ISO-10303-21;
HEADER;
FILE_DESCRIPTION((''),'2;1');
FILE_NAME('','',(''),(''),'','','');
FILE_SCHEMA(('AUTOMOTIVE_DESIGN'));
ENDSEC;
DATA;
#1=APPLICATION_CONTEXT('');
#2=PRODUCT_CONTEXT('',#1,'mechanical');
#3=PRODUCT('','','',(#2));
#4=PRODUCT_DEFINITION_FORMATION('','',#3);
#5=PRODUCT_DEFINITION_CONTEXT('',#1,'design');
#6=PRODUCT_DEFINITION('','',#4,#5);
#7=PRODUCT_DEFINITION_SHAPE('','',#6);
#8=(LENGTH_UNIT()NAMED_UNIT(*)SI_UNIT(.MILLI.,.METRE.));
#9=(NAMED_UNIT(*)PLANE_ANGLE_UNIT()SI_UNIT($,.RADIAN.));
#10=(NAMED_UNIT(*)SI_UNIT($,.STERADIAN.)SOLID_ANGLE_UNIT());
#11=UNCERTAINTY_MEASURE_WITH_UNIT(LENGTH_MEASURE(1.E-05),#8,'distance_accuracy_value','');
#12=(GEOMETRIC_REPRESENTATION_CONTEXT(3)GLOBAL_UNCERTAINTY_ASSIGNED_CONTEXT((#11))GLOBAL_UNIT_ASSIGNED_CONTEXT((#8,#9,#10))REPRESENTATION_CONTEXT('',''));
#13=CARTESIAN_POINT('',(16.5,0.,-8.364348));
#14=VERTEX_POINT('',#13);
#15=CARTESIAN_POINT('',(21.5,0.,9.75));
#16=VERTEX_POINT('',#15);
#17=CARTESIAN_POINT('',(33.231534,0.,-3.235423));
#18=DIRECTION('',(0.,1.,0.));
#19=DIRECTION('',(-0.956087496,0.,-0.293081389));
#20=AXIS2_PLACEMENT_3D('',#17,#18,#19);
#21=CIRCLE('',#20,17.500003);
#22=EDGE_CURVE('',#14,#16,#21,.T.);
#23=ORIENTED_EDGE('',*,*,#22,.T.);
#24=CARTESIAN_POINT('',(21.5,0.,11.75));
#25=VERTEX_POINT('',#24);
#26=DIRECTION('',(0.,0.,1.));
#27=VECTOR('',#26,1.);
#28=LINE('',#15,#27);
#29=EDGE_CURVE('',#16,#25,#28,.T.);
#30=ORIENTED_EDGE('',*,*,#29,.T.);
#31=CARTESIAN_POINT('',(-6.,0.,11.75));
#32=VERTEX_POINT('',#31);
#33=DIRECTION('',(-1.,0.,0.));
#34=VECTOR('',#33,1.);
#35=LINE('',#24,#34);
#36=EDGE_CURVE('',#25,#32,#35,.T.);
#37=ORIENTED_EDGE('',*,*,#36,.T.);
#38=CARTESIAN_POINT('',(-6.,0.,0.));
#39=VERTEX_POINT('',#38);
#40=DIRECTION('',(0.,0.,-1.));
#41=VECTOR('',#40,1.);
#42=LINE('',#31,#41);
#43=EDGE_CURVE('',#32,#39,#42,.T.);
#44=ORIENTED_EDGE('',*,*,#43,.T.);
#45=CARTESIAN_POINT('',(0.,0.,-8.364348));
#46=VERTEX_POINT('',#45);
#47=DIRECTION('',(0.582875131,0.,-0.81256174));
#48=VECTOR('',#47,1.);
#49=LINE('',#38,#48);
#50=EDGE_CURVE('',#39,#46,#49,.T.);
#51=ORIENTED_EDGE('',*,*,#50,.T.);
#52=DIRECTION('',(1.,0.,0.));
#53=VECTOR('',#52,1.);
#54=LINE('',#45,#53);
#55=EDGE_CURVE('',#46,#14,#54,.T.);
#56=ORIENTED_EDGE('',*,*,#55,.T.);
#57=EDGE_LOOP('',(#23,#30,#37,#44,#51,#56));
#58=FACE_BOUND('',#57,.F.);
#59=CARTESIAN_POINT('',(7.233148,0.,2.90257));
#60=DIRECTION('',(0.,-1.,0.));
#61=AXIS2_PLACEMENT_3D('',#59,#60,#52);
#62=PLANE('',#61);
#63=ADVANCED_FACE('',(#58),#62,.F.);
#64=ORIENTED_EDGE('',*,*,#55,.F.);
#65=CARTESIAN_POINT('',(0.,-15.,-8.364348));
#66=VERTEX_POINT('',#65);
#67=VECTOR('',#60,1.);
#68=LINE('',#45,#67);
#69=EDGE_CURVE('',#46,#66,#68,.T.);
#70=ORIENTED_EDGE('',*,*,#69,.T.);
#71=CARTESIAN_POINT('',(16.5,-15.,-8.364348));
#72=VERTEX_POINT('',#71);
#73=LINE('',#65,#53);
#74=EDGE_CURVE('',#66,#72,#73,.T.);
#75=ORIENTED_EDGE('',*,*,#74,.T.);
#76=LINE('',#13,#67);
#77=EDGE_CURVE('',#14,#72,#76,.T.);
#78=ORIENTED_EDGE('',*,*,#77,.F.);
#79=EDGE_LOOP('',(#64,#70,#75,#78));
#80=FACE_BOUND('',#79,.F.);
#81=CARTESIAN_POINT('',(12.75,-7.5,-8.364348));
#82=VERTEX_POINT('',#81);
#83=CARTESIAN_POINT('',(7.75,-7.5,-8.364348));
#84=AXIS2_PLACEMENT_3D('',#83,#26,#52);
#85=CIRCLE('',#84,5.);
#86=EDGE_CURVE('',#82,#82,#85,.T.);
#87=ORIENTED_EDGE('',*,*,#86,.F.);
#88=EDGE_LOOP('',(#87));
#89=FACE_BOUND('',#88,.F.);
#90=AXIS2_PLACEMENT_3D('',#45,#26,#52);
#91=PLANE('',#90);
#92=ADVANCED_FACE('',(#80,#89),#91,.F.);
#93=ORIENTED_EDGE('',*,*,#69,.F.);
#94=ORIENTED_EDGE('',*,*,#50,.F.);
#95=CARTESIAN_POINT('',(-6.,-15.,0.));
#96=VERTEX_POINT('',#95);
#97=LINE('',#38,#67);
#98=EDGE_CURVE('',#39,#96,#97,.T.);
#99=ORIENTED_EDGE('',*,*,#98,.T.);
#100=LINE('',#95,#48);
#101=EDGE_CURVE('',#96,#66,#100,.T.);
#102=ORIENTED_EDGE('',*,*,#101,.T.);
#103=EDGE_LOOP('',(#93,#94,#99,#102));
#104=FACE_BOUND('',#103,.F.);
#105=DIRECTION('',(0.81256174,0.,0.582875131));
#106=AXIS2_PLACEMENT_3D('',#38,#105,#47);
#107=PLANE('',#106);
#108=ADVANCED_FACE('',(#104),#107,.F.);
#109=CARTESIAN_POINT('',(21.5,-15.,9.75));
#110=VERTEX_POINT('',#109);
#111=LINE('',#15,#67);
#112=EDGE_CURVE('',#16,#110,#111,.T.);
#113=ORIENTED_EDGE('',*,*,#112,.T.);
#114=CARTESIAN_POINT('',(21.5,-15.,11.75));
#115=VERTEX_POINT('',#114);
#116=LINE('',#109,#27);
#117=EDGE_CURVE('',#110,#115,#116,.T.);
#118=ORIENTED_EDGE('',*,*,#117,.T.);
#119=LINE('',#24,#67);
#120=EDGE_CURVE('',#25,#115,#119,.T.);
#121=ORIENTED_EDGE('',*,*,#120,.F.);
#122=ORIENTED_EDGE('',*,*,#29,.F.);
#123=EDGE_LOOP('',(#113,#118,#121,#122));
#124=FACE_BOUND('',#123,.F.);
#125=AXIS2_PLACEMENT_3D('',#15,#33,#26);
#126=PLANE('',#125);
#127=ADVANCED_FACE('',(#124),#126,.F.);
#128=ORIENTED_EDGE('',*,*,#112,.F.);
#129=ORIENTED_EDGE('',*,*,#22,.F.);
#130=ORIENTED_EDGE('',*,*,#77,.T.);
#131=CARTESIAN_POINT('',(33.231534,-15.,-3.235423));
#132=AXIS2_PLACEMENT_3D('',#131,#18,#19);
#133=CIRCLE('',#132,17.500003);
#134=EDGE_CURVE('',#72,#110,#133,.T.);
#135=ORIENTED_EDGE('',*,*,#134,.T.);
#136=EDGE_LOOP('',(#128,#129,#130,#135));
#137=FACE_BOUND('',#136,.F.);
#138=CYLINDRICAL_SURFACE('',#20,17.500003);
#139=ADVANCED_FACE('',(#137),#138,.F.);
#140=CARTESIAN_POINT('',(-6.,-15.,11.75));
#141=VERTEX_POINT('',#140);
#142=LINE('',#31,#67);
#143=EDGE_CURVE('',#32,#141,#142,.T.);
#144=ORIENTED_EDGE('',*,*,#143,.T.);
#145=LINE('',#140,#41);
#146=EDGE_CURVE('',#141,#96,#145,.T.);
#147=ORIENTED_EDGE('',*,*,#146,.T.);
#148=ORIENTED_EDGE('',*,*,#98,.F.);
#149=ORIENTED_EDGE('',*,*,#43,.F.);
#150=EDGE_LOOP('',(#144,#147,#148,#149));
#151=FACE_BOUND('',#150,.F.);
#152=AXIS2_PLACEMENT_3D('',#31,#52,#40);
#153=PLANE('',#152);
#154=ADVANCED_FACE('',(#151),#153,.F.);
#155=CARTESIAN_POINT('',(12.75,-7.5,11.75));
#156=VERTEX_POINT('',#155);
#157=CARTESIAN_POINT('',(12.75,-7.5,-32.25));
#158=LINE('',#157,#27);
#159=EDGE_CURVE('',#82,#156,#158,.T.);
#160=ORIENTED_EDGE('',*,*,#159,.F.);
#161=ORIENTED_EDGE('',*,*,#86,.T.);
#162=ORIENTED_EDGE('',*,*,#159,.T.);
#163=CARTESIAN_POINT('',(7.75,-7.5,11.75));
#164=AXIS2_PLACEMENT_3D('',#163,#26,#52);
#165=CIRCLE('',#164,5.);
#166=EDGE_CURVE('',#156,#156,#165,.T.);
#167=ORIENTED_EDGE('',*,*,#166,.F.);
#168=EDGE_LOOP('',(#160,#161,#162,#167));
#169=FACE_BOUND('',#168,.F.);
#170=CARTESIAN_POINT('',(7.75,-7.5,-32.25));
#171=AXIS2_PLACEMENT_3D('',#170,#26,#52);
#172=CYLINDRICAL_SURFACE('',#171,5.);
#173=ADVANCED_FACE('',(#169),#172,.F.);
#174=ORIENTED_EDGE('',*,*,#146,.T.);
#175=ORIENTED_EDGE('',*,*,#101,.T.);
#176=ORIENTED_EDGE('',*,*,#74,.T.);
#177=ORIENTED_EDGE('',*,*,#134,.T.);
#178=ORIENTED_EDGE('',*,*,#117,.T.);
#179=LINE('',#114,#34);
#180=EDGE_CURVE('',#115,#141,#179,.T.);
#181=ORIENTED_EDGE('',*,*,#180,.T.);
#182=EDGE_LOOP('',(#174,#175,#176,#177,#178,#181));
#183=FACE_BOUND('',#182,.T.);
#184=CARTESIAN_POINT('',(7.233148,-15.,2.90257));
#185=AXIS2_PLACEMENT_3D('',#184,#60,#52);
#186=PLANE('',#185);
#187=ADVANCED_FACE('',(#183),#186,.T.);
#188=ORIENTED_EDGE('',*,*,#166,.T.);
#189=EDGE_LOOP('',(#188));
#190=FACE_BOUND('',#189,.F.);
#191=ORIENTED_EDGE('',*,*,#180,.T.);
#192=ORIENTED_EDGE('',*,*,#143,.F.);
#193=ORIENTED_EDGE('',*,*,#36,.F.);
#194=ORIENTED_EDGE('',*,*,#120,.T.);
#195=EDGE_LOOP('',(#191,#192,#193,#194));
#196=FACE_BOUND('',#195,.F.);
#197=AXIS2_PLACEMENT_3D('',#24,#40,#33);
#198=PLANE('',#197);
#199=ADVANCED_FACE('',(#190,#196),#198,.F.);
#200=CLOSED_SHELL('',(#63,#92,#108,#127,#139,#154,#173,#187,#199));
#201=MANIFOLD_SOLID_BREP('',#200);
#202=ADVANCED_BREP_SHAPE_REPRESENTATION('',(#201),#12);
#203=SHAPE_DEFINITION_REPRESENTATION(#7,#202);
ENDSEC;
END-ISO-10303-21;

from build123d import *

# Parameters (mm, degrees)
F1_DEPTH       = 15
F3_D           = 7.5
F3_CBORE_D     = 10
F3_CBORE_DEPTH = 44


with BuildPart() as f1:
    # F0 (on Front) → F1 (new body)
    with BuildSketch(Plane.XZ):
        with BuildLine():
            Line((21.5, 11.75), (-6, 11.75))
            Line((-6, 11.75), (-6, 0))
            Line((-6, 0), (0, -8.364348))
            Line((0, -8.364348), (16.5, -8.364348))
            ThreePointArc((16.5, -8.364348), (16.362362, 1.420878), (21.5, 9.75))
            Line((21.5, 9.75), (21.5, 11.75))
        make_face()
    extrude(amount=F1_DEPTH)

    # F3 (through all)
    with Locations(Plane.XY.offset(11.75)):
        with Locations((7.75, -7.5)):
            CounterBoreHole(F3_D / 2, F3_CBORE_D / 2, F3_CBORE_DEPTH)


solid = f1.part
